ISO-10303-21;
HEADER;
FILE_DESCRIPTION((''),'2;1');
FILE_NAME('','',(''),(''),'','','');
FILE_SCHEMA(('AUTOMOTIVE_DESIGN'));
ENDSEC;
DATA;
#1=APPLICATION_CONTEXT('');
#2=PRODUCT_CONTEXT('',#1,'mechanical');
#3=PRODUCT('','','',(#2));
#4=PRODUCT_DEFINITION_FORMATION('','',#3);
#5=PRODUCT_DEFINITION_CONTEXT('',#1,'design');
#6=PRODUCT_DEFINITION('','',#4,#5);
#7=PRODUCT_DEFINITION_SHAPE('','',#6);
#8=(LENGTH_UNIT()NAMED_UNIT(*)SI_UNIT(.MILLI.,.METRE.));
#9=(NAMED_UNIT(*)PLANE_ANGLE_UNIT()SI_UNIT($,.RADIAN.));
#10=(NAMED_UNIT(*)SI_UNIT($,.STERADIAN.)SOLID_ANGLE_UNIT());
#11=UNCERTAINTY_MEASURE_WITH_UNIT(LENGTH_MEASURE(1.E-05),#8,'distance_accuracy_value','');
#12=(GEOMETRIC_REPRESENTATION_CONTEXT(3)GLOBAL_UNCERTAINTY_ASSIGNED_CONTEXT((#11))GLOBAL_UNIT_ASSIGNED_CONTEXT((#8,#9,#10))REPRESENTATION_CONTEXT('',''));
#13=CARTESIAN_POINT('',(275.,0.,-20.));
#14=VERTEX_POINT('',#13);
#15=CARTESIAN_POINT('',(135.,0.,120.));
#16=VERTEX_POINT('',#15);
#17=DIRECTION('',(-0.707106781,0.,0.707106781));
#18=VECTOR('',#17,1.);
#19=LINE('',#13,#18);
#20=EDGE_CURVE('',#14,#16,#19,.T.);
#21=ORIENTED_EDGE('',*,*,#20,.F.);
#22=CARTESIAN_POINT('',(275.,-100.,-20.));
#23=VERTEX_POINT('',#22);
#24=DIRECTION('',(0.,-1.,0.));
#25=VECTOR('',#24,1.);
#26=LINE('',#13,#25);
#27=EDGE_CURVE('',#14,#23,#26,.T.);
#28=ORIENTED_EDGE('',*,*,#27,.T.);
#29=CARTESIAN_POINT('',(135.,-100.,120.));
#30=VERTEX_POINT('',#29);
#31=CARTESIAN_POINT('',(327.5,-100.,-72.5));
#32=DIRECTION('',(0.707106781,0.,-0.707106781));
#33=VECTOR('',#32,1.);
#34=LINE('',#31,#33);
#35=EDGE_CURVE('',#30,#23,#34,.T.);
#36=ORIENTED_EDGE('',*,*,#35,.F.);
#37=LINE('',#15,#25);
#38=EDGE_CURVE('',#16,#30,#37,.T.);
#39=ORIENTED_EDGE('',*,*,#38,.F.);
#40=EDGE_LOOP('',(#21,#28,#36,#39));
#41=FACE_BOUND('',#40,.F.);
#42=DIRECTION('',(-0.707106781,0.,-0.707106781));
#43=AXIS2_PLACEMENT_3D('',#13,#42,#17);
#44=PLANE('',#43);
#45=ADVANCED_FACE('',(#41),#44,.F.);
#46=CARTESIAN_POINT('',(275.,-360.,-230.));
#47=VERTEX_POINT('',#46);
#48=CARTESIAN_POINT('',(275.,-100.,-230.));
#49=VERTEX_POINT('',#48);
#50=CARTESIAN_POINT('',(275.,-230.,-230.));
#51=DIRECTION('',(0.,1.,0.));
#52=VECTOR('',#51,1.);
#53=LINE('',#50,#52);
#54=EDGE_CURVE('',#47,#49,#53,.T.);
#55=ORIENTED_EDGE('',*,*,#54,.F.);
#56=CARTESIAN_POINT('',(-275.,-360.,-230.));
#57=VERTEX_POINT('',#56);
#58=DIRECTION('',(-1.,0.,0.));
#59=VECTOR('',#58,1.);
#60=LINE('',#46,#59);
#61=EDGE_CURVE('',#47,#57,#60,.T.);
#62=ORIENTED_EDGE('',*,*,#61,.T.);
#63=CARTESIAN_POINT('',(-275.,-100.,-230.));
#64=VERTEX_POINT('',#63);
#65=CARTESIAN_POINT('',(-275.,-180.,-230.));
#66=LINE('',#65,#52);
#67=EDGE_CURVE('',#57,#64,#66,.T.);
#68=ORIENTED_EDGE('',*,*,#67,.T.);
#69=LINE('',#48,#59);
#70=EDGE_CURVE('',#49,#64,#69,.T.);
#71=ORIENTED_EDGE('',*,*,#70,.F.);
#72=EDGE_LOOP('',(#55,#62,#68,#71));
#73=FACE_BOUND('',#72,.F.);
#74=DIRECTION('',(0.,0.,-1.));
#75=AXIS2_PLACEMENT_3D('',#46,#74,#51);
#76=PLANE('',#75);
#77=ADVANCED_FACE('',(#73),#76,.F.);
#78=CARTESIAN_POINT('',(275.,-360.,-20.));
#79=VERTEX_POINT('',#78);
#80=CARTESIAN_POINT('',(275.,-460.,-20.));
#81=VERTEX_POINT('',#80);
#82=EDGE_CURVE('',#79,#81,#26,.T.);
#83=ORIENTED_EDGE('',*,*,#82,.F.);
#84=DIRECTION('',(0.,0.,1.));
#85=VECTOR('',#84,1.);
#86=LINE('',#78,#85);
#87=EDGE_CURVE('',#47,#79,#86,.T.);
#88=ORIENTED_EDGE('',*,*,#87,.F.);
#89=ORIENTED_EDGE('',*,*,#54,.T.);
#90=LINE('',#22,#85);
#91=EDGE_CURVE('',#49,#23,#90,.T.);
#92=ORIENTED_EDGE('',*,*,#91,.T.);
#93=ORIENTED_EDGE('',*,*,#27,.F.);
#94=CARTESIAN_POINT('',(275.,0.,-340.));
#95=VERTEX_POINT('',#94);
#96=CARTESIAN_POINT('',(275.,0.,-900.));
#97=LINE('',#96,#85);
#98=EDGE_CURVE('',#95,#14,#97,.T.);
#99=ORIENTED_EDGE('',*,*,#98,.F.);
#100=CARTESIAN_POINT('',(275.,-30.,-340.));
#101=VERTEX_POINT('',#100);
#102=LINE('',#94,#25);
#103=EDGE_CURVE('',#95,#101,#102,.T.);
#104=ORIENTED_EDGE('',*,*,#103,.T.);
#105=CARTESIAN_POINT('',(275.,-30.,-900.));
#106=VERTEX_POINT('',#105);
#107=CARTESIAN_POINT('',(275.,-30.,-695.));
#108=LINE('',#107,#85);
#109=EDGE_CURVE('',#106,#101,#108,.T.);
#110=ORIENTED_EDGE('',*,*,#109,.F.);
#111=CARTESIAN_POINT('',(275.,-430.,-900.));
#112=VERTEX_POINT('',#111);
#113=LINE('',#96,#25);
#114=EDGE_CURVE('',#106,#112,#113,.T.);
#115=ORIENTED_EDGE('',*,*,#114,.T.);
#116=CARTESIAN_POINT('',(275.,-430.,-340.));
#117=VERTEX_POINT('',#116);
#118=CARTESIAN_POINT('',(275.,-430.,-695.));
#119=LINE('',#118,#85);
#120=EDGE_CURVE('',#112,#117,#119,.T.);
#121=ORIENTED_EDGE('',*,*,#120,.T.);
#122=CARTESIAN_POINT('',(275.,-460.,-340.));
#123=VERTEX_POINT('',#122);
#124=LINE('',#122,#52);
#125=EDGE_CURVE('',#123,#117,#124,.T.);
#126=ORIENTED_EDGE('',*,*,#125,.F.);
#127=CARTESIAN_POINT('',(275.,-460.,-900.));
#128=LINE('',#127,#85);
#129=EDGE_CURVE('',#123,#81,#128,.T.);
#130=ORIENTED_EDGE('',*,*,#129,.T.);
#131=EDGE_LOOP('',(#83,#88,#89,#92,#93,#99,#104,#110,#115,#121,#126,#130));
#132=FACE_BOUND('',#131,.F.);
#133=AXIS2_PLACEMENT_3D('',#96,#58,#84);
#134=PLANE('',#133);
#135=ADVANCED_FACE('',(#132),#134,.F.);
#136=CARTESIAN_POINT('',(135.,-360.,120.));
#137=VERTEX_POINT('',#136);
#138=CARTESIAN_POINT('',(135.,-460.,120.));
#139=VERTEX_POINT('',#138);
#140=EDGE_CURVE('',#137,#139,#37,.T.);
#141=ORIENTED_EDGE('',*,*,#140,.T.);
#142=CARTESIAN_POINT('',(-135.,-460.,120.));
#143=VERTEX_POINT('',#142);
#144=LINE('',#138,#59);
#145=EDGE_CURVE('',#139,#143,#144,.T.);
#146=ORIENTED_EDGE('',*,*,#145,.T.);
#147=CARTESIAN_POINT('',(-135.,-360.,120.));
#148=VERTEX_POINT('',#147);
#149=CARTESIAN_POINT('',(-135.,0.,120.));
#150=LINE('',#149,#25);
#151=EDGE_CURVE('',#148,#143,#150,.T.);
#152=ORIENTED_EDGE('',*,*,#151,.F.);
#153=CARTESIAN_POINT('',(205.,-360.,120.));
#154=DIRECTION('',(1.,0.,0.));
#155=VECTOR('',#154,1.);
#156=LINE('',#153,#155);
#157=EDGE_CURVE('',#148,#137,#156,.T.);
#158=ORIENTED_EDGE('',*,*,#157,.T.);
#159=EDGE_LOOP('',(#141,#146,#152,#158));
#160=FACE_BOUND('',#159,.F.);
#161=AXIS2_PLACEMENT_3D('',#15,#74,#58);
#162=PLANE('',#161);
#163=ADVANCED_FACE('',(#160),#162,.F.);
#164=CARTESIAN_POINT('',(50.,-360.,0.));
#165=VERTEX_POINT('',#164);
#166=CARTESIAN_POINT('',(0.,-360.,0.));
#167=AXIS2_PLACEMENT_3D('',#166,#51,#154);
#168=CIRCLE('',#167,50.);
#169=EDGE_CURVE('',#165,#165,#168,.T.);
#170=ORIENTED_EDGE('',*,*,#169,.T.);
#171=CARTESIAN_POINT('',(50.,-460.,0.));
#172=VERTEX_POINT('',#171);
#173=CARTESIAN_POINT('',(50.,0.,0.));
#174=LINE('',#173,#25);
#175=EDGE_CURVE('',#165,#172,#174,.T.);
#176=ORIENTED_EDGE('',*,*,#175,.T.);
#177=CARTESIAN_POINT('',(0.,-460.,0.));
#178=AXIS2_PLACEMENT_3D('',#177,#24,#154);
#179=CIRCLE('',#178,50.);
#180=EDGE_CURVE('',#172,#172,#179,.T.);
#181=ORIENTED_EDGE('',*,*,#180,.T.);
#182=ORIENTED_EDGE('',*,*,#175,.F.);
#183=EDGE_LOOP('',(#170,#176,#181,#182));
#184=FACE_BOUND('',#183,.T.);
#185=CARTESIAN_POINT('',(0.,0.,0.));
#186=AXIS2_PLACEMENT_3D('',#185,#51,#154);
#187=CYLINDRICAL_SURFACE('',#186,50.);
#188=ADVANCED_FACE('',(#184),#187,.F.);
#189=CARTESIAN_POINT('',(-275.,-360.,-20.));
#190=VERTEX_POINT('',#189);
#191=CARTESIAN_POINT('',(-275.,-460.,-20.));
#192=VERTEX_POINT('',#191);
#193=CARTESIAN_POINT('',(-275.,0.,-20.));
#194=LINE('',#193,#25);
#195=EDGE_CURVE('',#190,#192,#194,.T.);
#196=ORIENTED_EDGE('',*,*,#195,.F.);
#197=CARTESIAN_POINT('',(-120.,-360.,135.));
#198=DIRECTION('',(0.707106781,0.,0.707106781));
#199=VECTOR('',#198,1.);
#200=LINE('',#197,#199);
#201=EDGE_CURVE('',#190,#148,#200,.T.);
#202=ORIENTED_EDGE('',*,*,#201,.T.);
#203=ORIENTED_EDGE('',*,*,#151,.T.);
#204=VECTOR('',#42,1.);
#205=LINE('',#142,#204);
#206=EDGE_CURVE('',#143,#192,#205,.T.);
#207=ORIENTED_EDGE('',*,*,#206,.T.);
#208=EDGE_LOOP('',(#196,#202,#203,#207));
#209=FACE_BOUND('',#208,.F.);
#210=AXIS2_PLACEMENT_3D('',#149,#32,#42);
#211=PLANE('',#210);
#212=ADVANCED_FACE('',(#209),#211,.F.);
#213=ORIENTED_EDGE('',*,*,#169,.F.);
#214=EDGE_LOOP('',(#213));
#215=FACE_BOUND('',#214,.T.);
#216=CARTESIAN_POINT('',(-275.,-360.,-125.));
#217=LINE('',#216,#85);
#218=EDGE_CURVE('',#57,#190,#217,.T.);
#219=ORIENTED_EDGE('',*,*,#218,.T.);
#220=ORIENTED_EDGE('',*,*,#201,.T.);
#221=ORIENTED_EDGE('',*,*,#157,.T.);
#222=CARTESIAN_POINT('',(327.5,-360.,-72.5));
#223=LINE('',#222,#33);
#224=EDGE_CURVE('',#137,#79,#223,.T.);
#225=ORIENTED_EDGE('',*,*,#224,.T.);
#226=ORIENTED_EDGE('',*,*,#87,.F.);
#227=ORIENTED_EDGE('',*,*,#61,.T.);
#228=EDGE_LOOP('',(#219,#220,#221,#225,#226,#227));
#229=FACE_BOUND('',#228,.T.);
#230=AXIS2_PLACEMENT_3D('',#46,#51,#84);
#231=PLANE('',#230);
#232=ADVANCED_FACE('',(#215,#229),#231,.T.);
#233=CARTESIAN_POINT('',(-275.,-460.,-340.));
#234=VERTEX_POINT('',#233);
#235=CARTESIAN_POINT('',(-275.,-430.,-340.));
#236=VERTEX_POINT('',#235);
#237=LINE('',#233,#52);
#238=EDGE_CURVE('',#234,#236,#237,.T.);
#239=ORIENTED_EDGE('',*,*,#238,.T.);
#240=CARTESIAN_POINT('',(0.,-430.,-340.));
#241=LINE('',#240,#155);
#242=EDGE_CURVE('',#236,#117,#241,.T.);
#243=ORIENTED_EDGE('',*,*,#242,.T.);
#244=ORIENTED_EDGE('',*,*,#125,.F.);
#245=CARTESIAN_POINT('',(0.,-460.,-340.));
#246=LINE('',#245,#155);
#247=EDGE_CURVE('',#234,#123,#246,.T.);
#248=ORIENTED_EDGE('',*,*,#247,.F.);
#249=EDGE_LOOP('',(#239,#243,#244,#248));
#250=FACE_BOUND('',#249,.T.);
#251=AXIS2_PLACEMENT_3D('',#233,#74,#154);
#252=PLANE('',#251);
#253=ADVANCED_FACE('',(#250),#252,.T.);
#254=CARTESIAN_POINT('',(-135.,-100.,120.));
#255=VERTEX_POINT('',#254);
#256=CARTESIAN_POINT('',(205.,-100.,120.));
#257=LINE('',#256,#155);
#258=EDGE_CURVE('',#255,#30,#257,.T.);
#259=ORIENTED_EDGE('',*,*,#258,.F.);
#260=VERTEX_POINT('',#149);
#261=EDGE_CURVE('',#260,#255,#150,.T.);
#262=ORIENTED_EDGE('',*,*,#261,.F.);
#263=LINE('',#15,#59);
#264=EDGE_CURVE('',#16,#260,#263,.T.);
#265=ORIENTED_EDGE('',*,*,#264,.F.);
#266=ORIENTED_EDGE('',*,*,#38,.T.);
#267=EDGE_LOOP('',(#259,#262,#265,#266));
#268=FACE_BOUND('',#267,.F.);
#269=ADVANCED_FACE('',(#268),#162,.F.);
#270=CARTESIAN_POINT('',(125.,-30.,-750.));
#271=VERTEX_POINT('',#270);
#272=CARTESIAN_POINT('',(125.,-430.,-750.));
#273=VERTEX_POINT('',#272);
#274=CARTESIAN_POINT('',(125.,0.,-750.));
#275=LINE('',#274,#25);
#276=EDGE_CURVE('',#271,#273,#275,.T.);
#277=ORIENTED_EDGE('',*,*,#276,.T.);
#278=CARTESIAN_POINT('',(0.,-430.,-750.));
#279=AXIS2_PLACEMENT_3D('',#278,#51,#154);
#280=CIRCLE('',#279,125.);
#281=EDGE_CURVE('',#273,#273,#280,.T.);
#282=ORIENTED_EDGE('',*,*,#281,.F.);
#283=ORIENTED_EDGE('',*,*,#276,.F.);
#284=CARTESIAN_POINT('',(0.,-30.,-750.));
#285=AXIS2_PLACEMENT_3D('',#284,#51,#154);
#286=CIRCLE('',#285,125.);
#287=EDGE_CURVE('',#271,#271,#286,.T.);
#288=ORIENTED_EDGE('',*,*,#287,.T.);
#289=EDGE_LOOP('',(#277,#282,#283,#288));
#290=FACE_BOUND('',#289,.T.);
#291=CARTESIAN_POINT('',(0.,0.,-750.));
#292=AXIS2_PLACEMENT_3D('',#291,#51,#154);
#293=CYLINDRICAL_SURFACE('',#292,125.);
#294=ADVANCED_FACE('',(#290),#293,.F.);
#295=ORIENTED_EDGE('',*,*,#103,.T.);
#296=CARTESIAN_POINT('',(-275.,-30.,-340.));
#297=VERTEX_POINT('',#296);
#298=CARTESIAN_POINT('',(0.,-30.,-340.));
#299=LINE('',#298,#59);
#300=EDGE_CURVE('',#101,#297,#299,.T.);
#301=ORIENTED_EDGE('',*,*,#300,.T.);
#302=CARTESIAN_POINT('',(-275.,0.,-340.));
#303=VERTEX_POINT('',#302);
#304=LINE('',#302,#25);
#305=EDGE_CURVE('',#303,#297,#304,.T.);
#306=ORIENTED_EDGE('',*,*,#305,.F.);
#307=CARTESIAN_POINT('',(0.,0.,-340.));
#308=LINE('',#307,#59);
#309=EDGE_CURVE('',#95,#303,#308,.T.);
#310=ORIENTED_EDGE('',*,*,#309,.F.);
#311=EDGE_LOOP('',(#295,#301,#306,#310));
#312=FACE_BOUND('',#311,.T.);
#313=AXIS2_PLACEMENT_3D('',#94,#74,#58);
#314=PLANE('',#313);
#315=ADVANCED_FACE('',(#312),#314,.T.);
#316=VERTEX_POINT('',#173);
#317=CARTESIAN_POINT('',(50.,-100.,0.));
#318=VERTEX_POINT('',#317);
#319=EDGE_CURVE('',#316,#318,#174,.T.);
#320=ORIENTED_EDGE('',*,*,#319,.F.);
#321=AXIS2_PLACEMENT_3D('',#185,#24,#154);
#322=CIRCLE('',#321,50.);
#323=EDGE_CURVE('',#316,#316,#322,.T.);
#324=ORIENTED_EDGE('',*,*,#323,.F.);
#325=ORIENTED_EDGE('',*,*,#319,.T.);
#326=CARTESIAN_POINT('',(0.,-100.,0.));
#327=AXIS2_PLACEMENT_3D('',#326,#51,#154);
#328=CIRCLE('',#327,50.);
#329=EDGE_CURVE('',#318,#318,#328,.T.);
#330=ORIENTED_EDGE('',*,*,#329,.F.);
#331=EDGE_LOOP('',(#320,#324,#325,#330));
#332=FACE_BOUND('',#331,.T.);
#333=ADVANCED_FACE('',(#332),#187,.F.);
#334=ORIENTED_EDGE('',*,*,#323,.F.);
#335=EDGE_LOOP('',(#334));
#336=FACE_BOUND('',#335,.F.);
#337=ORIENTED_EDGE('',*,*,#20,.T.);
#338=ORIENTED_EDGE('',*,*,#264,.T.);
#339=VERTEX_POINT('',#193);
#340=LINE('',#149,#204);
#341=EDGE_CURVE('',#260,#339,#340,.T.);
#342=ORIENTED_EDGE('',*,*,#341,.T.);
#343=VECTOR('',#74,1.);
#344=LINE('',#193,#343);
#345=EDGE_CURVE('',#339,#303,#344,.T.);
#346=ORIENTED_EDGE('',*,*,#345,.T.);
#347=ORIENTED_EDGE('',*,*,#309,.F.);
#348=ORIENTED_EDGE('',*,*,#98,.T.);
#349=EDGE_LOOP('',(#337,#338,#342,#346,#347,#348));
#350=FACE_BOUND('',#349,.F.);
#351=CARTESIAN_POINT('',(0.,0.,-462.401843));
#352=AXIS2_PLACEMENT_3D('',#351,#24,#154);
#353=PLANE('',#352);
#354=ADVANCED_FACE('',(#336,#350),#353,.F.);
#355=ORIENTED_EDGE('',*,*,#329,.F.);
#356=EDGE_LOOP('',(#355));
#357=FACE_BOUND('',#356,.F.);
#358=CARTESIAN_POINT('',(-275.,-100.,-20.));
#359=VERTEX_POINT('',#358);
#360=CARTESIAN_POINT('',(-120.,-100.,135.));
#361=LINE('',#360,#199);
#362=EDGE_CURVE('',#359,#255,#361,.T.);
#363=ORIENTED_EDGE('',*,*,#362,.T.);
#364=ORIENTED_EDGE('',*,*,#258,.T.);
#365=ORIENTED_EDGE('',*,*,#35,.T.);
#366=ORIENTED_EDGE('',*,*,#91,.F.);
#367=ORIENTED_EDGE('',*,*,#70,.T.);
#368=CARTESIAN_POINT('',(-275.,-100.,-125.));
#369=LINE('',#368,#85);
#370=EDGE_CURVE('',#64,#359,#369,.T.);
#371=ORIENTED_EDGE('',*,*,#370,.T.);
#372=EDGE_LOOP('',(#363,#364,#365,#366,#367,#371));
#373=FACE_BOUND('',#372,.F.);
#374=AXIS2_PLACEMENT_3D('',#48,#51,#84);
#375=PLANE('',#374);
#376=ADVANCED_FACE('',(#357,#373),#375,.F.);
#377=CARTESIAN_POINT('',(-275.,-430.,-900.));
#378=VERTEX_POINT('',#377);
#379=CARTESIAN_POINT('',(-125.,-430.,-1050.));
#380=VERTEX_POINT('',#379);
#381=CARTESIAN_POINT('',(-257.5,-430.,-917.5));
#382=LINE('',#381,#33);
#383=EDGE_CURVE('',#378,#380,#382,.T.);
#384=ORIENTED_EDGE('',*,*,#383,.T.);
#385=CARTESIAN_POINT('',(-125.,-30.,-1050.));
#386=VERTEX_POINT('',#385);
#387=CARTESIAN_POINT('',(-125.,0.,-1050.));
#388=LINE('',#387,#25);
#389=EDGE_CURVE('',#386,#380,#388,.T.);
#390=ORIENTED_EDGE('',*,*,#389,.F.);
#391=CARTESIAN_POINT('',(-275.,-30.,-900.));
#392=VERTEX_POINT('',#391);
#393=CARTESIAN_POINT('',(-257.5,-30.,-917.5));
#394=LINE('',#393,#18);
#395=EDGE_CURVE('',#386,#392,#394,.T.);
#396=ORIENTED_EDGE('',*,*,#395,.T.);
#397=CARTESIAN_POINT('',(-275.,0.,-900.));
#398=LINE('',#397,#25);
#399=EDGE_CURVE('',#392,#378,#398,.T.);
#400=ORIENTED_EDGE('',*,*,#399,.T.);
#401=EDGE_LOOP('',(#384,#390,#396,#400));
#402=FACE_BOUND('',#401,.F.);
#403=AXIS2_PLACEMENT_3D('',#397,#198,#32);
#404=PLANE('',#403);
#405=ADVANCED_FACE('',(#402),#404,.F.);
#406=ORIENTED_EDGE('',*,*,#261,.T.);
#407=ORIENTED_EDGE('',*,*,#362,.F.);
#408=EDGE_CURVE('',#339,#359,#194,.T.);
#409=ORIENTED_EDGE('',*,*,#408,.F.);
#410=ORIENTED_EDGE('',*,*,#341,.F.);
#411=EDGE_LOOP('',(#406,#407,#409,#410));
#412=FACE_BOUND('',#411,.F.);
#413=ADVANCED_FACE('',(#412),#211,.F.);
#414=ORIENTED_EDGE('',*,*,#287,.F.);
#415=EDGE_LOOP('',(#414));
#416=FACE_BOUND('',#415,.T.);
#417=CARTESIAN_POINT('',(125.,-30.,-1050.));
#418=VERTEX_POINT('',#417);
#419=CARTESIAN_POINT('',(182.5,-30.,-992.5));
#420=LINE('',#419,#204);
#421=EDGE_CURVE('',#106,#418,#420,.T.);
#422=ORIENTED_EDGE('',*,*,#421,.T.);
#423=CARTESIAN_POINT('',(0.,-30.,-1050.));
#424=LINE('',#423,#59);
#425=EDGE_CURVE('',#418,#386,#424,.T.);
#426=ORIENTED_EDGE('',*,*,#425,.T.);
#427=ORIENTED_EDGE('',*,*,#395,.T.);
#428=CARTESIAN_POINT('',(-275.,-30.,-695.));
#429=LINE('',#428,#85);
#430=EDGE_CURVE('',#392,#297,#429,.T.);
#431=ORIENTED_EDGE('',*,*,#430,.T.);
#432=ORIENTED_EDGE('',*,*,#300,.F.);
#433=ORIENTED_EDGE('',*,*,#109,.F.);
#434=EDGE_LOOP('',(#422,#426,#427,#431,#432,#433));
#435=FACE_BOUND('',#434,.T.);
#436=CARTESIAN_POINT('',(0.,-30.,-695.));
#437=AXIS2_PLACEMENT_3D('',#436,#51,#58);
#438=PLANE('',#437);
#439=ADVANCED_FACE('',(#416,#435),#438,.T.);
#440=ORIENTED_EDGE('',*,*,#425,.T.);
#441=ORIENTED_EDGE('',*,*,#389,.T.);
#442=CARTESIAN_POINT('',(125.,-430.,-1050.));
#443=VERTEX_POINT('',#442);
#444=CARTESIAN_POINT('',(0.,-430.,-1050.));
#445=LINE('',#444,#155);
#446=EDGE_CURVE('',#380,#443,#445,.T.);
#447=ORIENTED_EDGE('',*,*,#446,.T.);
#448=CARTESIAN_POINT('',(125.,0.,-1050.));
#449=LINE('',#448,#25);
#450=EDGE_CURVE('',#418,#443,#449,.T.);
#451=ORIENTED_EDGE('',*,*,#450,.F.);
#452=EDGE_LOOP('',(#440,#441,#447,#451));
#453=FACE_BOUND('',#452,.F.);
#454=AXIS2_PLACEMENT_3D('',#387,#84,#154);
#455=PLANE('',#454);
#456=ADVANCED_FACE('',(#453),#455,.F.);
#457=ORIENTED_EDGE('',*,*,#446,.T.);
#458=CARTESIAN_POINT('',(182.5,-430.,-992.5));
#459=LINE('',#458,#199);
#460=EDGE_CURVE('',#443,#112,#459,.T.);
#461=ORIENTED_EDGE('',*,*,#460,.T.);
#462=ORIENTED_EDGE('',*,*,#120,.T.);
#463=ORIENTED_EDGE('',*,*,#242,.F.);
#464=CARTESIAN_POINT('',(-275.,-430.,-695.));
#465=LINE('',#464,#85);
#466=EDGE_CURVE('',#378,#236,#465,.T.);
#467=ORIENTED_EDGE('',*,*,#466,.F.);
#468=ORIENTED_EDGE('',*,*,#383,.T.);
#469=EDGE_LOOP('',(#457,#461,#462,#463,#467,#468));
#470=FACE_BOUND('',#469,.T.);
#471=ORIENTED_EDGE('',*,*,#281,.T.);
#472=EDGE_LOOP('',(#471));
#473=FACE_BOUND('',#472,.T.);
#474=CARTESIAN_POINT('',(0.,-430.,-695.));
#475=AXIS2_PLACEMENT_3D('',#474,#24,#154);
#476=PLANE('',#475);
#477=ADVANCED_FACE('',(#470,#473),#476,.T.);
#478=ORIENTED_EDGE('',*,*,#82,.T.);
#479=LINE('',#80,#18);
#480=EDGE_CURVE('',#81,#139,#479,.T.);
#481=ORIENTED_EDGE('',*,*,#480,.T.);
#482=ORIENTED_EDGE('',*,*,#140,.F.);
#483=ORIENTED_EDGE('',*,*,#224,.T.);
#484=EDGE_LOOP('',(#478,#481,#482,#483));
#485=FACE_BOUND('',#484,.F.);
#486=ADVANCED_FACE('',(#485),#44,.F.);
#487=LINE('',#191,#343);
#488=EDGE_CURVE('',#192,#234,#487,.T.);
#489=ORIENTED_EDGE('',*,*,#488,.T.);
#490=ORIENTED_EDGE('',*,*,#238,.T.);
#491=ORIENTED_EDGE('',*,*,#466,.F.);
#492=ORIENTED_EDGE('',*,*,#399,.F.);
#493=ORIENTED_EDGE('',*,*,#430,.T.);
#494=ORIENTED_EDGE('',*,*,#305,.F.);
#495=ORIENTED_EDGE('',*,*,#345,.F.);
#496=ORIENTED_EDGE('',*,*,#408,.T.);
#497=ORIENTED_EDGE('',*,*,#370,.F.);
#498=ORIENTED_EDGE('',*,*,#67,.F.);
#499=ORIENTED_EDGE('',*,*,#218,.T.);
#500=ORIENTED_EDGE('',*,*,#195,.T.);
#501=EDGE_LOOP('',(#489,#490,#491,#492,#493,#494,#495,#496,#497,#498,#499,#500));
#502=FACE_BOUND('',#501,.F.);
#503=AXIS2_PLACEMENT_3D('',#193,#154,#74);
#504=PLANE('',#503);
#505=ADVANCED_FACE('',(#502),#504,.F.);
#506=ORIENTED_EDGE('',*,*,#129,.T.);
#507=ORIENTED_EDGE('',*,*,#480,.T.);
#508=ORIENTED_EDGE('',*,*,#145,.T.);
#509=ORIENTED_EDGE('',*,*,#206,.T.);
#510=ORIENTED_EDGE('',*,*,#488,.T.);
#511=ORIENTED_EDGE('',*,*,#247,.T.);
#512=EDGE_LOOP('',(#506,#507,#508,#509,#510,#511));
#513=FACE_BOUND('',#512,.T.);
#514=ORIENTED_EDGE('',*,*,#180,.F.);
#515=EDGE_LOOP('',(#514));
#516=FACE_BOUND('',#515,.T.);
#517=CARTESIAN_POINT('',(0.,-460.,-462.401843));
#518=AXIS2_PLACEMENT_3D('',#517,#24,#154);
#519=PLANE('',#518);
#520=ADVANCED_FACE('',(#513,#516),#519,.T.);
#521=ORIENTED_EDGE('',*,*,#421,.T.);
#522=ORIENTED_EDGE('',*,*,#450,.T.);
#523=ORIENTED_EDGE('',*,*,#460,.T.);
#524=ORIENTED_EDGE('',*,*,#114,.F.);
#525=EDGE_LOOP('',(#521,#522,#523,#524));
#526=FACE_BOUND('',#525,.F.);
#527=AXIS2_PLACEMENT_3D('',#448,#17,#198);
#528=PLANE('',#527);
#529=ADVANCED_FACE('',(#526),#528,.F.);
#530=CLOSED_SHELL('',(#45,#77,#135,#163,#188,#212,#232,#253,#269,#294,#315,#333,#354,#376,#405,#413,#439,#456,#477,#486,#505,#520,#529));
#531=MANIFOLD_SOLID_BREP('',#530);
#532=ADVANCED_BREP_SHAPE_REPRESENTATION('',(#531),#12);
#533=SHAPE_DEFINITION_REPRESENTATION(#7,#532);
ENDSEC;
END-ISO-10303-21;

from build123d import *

# Parameters (mm, degrees)
F0_R     = 125
F0_R_2   = 50
F1_DEPTH = 460
F2_W     = 260
F2_H     = 420
F3_DEPTH = 550.001
F4_W     = 550
F4_H     = 710
F5_DEPTH = 30
F6_W     = 550
F6_H     = 710
F7_DEPTH = 30


with BuildPart() as f1:
    # F0 (on Front) → F1 (new body)
    with BuildSketch(Plane.XZ):
        Polygon((135, 120), (-135, 120), (-275, -20), (-275, -120), (-275, -900), (-125, -1050), (125, -1050), (275, -900), (275, -120), (275, -20), align=None)
        with Locations((0, -750)):
            Circle(F0_R, mode=Mode.SUBTRACT)
        Circle(F0_R_2, mode=Mode.SUBTRACT)
    extrude(amount=F1_DEPTH)

    # F2 (on face) → F3 (cut, through all)
    with BuildSketch(Plane.YZ.offset(275)):
        with Locations((-230, -20)):
            Rectangle(F2_W, F2_H)
    extrude(amount=-F3_DEPTH, mode=Mode.SUBTRACT)

    # F4 (on face) → F5 (cut)
    with BuildSketch(Plane(origin=(0, 0, 0), x_dir=(-1, 0, 0), z_dir=(0, 1, 0))):
        with Locations((0, -695)):
            Rectangle(F4_W, F4_H)
    extrude(amount=-F5_DEPTH, mode=Mode.SUBTRACT)

    # F6 (on face) → F7 (cut)
    with BuildSketch(Plane.XZ.offset(460)):
        with Locations((0, -695)):
            Rectangle(F6_W, F6_H)
    extrude(amount=-F7_DEPTH, mode=Mode.SUBTRACT)


solid = f1.part
